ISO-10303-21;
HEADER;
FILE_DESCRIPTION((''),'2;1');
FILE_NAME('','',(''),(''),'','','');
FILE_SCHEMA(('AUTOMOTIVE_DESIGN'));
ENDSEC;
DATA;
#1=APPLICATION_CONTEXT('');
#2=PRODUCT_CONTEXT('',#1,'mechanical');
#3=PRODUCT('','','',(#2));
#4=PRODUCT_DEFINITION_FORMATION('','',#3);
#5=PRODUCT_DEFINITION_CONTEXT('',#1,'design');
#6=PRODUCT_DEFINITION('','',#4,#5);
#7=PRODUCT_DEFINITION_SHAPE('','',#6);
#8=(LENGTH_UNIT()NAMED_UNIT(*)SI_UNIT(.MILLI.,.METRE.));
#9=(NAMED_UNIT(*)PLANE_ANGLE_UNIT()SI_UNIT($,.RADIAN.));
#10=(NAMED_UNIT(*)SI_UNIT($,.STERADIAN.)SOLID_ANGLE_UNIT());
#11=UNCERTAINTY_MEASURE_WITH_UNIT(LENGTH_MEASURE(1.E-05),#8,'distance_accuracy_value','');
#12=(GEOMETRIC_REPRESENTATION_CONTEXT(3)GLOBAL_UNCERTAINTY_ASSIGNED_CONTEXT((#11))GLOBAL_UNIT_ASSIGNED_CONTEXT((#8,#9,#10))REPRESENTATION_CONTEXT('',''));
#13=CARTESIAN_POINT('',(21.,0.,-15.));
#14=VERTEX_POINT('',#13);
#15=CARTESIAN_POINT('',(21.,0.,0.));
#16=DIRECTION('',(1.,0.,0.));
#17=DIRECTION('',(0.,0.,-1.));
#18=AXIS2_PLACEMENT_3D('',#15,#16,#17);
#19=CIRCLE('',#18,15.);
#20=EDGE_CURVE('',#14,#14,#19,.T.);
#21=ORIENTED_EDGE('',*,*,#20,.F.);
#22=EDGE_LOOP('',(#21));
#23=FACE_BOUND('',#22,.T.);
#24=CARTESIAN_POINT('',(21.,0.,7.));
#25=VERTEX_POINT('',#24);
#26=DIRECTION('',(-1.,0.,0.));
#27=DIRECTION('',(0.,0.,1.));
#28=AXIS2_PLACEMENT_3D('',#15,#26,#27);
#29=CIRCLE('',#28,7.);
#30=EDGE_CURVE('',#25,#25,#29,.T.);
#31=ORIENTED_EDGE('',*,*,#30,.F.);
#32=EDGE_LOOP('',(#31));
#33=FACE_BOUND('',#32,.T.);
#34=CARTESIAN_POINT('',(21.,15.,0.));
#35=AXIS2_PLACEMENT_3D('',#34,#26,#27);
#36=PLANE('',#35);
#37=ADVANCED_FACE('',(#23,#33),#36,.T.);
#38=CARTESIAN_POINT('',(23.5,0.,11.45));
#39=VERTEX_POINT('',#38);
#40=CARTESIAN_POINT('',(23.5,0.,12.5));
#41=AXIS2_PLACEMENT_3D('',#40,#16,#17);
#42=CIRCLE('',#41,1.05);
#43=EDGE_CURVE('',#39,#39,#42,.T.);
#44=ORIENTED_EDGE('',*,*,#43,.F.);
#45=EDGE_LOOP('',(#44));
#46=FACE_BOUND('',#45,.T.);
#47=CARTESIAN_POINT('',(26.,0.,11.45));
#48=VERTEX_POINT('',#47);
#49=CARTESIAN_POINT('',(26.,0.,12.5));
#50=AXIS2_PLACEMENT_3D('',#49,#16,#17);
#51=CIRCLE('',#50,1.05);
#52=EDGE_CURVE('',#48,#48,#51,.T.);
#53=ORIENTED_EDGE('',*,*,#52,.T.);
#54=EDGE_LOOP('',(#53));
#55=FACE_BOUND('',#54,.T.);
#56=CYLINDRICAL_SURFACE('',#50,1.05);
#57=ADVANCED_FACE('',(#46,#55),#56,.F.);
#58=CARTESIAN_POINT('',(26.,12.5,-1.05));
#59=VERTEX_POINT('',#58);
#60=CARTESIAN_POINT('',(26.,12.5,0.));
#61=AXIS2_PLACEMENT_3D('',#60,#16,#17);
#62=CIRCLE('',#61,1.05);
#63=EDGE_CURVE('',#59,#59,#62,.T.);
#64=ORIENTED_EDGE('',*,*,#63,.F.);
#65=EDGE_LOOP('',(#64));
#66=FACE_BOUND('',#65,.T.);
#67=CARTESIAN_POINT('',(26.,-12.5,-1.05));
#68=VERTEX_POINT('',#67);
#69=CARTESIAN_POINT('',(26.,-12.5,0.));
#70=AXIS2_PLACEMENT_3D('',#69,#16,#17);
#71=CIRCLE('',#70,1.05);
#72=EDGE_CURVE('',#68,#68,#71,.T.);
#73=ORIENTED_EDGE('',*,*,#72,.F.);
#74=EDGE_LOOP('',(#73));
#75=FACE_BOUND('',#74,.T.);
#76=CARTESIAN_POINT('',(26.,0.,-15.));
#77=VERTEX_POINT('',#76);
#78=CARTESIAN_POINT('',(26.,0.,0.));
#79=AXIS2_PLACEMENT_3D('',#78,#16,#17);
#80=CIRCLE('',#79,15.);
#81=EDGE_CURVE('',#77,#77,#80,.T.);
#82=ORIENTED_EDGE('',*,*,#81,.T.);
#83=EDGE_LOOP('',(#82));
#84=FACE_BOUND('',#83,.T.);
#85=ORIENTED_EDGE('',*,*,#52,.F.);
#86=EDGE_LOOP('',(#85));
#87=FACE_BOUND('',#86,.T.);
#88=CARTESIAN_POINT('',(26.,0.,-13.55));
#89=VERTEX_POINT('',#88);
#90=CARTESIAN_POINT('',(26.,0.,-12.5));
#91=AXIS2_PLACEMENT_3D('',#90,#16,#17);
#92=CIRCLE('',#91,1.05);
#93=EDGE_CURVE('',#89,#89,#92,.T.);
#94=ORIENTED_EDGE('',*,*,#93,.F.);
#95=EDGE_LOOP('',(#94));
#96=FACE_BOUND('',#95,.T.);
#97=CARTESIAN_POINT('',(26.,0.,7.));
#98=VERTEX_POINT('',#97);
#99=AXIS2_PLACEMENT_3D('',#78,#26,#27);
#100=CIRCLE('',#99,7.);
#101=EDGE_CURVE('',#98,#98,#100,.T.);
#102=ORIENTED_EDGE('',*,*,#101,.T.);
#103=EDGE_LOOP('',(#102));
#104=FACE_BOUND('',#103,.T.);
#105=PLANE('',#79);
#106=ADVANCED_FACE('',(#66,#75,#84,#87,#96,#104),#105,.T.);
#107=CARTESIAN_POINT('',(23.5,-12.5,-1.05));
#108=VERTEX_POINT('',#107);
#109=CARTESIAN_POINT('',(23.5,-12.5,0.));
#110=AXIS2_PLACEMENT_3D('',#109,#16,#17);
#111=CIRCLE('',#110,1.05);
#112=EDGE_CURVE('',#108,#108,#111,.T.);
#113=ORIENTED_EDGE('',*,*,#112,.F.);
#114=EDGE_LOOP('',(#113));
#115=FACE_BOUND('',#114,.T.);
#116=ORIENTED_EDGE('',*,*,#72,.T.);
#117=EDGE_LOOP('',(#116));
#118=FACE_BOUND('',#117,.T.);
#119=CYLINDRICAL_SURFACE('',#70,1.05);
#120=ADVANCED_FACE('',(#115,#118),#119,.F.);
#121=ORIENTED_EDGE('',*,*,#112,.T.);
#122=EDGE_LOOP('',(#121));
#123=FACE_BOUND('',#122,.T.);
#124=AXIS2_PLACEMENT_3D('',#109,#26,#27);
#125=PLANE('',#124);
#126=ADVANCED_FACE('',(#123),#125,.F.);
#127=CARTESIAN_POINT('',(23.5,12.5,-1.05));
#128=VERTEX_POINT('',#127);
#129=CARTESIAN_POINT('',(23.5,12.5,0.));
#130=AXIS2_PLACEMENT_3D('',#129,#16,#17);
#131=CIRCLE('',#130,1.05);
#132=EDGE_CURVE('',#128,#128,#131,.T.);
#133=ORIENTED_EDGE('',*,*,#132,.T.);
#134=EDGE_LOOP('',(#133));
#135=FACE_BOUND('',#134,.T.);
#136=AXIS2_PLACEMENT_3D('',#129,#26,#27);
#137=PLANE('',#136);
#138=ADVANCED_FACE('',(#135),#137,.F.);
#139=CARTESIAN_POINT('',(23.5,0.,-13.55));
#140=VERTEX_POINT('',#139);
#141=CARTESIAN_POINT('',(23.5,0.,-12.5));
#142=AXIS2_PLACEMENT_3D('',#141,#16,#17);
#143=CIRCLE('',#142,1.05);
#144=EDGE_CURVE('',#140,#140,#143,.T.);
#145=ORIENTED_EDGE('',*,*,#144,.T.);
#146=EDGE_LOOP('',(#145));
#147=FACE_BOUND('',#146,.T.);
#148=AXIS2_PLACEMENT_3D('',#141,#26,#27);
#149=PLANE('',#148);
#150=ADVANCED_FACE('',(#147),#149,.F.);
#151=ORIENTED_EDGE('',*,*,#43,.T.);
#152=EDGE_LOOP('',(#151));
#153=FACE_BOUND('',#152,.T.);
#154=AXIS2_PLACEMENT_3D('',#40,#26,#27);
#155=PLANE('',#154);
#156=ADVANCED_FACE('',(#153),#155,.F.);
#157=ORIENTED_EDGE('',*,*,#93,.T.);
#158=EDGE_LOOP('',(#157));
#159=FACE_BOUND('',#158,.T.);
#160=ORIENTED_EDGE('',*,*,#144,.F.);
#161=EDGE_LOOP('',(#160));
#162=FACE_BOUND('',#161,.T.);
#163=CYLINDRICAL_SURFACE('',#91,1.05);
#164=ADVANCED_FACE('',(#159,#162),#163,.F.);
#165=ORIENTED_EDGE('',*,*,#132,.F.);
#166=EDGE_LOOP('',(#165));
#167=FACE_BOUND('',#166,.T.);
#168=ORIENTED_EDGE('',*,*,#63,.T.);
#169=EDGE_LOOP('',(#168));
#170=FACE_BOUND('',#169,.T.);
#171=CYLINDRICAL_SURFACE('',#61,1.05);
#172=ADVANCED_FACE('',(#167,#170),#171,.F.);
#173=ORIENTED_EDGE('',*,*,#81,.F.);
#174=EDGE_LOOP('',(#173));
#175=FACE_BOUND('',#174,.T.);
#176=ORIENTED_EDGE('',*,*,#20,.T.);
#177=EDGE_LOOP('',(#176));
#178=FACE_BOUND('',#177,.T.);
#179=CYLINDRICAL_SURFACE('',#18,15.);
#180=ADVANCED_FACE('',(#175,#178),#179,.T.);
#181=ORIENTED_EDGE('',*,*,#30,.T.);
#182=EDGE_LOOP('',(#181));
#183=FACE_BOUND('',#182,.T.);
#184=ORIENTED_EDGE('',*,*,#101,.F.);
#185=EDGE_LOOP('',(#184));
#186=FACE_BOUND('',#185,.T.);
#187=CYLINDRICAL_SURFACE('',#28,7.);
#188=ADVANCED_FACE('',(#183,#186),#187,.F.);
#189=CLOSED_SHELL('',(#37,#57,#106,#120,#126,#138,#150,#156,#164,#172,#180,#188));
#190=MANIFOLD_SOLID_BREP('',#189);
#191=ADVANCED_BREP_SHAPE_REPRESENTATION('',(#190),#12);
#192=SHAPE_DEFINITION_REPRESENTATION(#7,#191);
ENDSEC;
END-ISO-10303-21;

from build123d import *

# Parameters (mm, degrees)
SKETCH1_W                      = 5
SKETCH1_H                      = 15
F_14_0_14_DIAMETER_HOLE1_D     = 14
F_2_1_2_1_DIAMETER_HOLE1_D     = 2.1
F_2_1_2_1_DIAMETER_HOLE1_DEPTH = 2.5


with BuildPart() as part:
    # Sketch1 → Revolve1 (revolve)
    with BuildSketch(Plane.XY, mode=Mode.PRIVATE) as revolve1_sk:
        with Locations((23.5, 7.5)):
            Rectangle(SKETCH1_W, SKETCH1_H)
    revolve(revolve1_sk.sketch.rotate(Axis((21, 0, 0), (1, 0, 0)), 270), axis=Axis((21, 0, 0), (1, 0, 0)))

    # Ø14.0 (14) Diameter Hole1 (through all)
    with Locations(Plane.ZY.offset(-21)):
        with Locations((0, 0)):
            Hole(F_14_0_14_DIAMETER_HOLE1_D / 2)

    # Ø2.1 (2.1) Diameter Hole1
    with Locations(Plane(origin=(26, 0, 0), x_dir=(0, 0, -1), z_dir=(1, 0, 0))):
        with Locations((-12.5, 0), (12.5, 0), (0, -12.5), (0, 12.5)):
            Hole(F_2_1_2_1_DIAMETER_HOLE1_D / 2, depth=F_2_1_2_1_DIAMETER_HOLE1_DEPTH)


solid = part.part
